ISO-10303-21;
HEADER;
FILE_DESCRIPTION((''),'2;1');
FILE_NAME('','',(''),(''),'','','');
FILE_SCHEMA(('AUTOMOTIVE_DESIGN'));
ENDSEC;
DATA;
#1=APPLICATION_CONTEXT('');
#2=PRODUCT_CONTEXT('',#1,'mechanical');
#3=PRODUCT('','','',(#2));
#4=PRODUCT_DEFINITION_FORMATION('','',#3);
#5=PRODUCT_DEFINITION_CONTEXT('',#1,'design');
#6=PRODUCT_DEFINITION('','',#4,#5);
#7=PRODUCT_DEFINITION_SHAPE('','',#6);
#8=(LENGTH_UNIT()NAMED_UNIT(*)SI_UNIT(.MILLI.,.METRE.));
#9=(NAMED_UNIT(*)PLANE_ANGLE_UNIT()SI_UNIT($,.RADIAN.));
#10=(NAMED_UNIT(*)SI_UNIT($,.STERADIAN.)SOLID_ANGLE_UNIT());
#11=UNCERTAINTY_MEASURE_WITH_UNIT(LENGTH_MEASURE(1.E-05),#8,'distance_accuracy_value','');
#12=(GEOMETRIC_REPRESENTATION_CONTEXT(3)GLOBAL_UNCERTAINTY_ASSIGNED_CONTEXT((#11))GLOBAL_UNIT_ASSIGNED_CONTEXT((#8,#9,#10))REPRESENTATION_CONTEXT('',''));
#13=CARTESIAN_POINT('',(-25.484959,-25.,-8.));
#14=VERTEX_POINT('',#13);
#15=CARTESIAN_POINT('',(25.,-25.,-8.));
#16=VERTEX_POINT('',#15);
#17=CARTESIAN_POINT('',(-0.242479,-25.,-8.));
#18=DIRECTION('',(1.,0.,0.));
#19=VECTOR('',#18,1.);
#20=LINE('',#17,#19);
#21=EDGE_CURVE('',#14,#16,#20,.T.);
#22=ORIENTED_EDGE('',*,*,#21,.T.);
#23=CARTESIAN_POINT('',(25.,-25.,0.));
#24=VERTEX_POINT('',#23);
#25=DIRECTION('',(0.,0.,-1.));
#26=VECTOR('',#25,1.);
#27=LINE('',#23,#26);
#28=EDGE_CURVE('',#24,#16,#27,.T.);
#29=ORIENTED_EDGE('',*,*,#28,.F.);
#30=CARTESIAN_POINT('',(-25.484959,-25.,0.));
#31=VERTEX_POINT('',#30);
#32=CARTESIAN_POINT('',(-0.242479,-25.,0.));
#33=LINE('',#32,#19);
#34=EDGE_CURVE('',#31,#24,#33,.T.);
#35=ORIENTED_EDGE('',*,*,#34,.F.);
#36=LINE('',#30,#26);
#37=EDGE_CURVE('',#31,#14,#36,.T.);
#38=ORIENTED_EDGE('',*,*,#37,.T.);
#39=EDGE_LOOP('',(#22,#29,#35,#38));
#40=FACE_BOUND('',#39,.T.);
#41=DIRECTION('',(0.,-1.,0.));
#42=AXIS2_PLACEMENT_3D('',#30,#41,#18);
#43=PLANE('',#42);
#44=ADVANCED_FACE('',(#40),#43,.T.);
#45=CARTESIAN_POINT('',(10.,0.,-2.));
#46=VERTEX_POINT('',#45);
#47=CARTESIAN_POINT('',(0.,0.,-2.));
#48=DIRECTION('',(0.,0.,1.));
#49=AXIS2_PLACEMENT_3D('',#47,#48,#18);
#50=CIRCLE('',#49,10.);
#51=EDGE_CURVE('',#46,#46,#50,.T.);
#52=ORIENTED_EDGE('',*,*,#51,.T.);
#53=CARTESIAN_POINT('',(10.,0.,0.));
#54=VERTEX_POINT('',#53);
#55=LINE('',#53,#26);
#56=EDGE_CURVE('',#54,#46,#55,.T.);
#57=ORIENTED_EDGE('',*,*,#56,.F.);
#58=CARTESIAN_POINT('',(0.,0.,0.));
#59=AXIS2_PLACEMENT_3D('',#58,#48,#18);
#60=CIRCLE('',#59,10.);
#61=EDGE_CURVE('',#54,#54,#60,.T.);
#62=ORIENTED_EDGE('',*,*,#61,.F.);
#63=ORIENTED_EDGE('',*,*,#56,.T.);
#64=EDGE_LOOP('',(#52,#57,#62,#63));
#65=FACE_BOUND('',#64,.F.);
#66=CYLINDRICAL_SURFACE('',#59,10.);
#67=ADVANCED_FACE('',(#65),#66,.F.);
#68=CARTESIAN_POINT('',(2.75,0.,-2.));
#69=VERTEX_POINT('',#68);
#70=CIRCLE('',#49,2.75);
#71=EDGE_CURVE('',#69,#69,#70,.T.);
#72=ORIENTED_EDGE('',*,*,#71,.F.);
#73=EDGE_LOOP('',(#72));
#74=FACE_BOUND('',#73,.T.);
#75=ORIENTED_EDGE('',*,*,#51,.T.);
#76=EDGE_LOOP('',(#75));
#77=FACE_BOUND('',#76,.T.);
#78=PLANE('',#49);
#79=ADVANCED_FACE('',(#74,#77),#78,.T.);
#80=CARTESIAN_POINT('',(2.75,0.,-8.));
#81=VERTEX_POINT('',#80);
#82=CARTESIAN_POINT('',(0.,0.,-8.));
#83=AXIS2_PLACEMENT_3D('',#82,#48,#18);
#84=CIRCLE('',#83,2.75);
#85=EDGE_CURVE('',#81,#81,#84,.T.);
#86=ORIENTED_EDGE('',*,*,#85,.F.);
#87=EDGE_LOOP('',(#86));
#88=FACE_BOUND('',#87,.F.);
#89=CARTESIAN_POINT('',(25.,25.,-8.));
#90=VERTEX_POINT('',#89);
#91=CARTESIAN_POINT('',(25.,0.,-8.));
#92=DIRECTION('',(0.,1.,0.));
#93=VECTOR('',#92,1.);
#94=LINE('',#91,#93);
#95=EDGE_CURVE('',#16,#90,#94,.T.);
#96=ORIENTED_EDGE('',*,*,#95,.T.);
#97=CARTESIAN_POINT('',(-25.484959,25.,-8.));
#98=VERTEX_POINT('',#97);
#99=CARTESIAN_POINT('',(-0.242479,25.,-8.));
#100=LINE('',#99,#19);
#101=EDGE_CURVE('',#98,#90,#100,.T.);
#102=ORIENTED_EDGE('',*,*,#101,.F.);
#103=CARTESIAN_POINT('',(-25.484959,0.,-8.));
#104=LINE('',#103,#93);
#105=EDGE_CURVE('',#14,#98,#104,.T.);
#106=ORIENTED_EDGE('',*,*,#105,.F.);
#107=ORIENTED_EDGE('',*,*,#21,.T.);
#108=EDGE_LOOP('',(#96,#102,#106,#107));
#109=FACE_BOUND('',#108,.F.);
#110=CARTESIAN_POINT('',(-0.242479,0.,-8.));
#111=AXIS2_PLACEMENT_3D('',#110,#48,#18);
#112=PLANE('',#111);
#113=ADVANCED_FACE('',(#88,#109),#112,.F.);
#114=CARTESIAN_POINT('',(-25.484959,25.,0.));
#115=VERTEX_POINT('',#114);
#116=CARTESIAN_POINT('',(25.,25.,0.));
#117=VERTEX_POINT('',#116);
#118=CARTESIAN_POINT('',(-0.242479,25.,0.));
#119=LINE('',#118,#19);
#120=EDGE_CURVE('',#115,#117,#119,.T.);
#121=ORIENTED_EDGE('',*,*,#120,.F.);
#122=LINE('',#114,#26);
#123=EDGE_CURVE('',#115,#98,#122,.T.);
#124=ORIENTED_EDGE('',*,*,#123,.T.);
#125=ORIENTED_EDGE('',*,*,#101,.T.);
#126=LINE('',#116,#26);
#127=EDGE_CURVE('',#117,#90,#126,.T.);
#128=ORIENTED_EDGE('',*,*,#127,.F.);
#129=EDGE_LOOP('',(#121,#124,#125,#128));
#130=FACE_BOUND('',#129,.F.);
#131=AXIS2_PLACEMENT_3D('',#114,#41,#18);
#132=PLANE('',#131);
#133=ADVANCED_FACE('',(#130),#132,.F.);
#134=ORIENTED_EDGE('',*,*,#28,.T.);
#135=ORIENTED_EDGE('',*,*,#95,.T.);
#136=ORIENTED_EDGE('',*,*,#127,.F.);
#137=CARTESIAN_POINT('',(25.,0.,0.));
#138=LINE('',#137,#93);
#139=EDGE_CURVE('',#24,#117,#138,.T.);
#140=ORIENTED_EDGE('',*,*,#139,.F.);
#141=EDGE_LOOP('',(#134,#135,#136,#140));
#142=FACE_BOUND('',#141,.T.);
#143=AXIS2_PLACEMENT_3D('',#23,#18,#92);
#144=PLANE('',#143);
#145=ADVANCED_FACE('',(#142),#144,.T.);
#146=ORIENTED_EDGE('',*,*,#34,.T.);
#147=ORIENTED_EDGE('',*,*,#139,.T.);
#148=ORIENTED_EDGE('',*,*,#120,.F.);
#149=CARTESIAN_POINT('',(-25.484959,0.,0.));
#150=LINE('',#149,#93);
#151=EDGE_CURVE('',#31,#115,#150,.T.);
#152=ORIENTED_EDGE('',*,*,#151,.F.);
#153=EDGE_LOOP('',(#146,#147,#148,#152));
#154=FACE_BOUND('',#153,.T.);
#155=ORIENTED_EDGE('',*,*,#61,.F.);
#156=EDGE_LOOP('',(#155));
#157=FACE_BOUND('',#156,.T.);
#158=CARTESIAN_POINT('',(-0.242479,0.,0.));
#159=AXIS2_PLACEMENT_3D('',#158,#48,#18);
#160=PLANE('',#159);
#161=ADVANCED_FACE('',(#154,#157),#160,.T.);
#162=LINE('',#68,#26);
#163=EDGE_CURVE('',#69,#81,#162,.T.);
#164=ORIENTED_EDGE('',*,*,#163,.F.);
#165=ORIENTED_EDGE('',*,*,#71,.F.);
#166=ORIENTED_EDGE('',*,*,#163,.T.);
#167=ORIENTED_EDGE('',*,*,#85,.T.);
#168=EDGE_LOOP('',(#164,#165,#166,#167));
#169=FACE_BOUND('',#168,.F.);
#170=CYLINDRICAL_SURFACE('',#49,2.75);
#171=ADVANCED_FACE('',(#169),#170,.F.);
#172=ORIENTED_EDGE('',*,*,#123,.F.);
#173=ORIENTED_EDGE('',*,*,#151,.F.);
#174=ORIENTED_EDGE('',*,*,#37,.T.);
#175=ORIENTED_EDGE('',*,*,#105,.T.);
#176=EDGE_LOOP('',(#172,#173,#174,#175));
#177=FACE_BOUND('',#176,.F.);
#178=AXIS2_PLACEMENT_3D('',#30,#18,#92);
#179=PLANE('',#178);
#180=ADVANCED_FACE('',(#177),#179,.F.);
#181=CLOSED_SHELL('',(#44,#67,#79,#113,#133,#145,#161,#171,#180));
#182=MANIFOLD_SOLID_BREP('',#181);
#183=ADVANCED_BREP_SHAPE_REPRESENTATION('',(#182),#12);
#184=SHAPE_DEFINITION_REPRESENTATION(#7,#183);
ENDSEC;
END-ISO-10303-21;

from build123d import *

# Parameters (mm, degrees)
F0_W     = 50.484959
F0_H     = 50
F1_DEPTH = 8
F2_R     = 10
F3_DEPTH = 2
F4_R     = 2.75
F5_DEPTH = 6.001


with BuildPart() as f1:
    # F0 (on Top) → F1 (new body)
    with BuildSketch(Plane.XY):
        with Locations((-0.242479, 0)):
            Rectangle(F0_W, F0_H)
    extrude(amount=-F1_DEPTH)

    # F2 (on Top) → F3 (cut)
    with BuildSketch(Plane.XY):
        Circle(F2_R)
    extrude(amount=-F3_DEPTH, mode=Mode.SUBTRACT)

    # F4 (on face) → F5 (cut, through all)
    with BuildSketch(Plane.XY.offset(-2)):
        Circle(F4_R)
    extrude(amount=-F5_DEPTH, mode=Mode.SUBTRACT)


solid = f1.part
